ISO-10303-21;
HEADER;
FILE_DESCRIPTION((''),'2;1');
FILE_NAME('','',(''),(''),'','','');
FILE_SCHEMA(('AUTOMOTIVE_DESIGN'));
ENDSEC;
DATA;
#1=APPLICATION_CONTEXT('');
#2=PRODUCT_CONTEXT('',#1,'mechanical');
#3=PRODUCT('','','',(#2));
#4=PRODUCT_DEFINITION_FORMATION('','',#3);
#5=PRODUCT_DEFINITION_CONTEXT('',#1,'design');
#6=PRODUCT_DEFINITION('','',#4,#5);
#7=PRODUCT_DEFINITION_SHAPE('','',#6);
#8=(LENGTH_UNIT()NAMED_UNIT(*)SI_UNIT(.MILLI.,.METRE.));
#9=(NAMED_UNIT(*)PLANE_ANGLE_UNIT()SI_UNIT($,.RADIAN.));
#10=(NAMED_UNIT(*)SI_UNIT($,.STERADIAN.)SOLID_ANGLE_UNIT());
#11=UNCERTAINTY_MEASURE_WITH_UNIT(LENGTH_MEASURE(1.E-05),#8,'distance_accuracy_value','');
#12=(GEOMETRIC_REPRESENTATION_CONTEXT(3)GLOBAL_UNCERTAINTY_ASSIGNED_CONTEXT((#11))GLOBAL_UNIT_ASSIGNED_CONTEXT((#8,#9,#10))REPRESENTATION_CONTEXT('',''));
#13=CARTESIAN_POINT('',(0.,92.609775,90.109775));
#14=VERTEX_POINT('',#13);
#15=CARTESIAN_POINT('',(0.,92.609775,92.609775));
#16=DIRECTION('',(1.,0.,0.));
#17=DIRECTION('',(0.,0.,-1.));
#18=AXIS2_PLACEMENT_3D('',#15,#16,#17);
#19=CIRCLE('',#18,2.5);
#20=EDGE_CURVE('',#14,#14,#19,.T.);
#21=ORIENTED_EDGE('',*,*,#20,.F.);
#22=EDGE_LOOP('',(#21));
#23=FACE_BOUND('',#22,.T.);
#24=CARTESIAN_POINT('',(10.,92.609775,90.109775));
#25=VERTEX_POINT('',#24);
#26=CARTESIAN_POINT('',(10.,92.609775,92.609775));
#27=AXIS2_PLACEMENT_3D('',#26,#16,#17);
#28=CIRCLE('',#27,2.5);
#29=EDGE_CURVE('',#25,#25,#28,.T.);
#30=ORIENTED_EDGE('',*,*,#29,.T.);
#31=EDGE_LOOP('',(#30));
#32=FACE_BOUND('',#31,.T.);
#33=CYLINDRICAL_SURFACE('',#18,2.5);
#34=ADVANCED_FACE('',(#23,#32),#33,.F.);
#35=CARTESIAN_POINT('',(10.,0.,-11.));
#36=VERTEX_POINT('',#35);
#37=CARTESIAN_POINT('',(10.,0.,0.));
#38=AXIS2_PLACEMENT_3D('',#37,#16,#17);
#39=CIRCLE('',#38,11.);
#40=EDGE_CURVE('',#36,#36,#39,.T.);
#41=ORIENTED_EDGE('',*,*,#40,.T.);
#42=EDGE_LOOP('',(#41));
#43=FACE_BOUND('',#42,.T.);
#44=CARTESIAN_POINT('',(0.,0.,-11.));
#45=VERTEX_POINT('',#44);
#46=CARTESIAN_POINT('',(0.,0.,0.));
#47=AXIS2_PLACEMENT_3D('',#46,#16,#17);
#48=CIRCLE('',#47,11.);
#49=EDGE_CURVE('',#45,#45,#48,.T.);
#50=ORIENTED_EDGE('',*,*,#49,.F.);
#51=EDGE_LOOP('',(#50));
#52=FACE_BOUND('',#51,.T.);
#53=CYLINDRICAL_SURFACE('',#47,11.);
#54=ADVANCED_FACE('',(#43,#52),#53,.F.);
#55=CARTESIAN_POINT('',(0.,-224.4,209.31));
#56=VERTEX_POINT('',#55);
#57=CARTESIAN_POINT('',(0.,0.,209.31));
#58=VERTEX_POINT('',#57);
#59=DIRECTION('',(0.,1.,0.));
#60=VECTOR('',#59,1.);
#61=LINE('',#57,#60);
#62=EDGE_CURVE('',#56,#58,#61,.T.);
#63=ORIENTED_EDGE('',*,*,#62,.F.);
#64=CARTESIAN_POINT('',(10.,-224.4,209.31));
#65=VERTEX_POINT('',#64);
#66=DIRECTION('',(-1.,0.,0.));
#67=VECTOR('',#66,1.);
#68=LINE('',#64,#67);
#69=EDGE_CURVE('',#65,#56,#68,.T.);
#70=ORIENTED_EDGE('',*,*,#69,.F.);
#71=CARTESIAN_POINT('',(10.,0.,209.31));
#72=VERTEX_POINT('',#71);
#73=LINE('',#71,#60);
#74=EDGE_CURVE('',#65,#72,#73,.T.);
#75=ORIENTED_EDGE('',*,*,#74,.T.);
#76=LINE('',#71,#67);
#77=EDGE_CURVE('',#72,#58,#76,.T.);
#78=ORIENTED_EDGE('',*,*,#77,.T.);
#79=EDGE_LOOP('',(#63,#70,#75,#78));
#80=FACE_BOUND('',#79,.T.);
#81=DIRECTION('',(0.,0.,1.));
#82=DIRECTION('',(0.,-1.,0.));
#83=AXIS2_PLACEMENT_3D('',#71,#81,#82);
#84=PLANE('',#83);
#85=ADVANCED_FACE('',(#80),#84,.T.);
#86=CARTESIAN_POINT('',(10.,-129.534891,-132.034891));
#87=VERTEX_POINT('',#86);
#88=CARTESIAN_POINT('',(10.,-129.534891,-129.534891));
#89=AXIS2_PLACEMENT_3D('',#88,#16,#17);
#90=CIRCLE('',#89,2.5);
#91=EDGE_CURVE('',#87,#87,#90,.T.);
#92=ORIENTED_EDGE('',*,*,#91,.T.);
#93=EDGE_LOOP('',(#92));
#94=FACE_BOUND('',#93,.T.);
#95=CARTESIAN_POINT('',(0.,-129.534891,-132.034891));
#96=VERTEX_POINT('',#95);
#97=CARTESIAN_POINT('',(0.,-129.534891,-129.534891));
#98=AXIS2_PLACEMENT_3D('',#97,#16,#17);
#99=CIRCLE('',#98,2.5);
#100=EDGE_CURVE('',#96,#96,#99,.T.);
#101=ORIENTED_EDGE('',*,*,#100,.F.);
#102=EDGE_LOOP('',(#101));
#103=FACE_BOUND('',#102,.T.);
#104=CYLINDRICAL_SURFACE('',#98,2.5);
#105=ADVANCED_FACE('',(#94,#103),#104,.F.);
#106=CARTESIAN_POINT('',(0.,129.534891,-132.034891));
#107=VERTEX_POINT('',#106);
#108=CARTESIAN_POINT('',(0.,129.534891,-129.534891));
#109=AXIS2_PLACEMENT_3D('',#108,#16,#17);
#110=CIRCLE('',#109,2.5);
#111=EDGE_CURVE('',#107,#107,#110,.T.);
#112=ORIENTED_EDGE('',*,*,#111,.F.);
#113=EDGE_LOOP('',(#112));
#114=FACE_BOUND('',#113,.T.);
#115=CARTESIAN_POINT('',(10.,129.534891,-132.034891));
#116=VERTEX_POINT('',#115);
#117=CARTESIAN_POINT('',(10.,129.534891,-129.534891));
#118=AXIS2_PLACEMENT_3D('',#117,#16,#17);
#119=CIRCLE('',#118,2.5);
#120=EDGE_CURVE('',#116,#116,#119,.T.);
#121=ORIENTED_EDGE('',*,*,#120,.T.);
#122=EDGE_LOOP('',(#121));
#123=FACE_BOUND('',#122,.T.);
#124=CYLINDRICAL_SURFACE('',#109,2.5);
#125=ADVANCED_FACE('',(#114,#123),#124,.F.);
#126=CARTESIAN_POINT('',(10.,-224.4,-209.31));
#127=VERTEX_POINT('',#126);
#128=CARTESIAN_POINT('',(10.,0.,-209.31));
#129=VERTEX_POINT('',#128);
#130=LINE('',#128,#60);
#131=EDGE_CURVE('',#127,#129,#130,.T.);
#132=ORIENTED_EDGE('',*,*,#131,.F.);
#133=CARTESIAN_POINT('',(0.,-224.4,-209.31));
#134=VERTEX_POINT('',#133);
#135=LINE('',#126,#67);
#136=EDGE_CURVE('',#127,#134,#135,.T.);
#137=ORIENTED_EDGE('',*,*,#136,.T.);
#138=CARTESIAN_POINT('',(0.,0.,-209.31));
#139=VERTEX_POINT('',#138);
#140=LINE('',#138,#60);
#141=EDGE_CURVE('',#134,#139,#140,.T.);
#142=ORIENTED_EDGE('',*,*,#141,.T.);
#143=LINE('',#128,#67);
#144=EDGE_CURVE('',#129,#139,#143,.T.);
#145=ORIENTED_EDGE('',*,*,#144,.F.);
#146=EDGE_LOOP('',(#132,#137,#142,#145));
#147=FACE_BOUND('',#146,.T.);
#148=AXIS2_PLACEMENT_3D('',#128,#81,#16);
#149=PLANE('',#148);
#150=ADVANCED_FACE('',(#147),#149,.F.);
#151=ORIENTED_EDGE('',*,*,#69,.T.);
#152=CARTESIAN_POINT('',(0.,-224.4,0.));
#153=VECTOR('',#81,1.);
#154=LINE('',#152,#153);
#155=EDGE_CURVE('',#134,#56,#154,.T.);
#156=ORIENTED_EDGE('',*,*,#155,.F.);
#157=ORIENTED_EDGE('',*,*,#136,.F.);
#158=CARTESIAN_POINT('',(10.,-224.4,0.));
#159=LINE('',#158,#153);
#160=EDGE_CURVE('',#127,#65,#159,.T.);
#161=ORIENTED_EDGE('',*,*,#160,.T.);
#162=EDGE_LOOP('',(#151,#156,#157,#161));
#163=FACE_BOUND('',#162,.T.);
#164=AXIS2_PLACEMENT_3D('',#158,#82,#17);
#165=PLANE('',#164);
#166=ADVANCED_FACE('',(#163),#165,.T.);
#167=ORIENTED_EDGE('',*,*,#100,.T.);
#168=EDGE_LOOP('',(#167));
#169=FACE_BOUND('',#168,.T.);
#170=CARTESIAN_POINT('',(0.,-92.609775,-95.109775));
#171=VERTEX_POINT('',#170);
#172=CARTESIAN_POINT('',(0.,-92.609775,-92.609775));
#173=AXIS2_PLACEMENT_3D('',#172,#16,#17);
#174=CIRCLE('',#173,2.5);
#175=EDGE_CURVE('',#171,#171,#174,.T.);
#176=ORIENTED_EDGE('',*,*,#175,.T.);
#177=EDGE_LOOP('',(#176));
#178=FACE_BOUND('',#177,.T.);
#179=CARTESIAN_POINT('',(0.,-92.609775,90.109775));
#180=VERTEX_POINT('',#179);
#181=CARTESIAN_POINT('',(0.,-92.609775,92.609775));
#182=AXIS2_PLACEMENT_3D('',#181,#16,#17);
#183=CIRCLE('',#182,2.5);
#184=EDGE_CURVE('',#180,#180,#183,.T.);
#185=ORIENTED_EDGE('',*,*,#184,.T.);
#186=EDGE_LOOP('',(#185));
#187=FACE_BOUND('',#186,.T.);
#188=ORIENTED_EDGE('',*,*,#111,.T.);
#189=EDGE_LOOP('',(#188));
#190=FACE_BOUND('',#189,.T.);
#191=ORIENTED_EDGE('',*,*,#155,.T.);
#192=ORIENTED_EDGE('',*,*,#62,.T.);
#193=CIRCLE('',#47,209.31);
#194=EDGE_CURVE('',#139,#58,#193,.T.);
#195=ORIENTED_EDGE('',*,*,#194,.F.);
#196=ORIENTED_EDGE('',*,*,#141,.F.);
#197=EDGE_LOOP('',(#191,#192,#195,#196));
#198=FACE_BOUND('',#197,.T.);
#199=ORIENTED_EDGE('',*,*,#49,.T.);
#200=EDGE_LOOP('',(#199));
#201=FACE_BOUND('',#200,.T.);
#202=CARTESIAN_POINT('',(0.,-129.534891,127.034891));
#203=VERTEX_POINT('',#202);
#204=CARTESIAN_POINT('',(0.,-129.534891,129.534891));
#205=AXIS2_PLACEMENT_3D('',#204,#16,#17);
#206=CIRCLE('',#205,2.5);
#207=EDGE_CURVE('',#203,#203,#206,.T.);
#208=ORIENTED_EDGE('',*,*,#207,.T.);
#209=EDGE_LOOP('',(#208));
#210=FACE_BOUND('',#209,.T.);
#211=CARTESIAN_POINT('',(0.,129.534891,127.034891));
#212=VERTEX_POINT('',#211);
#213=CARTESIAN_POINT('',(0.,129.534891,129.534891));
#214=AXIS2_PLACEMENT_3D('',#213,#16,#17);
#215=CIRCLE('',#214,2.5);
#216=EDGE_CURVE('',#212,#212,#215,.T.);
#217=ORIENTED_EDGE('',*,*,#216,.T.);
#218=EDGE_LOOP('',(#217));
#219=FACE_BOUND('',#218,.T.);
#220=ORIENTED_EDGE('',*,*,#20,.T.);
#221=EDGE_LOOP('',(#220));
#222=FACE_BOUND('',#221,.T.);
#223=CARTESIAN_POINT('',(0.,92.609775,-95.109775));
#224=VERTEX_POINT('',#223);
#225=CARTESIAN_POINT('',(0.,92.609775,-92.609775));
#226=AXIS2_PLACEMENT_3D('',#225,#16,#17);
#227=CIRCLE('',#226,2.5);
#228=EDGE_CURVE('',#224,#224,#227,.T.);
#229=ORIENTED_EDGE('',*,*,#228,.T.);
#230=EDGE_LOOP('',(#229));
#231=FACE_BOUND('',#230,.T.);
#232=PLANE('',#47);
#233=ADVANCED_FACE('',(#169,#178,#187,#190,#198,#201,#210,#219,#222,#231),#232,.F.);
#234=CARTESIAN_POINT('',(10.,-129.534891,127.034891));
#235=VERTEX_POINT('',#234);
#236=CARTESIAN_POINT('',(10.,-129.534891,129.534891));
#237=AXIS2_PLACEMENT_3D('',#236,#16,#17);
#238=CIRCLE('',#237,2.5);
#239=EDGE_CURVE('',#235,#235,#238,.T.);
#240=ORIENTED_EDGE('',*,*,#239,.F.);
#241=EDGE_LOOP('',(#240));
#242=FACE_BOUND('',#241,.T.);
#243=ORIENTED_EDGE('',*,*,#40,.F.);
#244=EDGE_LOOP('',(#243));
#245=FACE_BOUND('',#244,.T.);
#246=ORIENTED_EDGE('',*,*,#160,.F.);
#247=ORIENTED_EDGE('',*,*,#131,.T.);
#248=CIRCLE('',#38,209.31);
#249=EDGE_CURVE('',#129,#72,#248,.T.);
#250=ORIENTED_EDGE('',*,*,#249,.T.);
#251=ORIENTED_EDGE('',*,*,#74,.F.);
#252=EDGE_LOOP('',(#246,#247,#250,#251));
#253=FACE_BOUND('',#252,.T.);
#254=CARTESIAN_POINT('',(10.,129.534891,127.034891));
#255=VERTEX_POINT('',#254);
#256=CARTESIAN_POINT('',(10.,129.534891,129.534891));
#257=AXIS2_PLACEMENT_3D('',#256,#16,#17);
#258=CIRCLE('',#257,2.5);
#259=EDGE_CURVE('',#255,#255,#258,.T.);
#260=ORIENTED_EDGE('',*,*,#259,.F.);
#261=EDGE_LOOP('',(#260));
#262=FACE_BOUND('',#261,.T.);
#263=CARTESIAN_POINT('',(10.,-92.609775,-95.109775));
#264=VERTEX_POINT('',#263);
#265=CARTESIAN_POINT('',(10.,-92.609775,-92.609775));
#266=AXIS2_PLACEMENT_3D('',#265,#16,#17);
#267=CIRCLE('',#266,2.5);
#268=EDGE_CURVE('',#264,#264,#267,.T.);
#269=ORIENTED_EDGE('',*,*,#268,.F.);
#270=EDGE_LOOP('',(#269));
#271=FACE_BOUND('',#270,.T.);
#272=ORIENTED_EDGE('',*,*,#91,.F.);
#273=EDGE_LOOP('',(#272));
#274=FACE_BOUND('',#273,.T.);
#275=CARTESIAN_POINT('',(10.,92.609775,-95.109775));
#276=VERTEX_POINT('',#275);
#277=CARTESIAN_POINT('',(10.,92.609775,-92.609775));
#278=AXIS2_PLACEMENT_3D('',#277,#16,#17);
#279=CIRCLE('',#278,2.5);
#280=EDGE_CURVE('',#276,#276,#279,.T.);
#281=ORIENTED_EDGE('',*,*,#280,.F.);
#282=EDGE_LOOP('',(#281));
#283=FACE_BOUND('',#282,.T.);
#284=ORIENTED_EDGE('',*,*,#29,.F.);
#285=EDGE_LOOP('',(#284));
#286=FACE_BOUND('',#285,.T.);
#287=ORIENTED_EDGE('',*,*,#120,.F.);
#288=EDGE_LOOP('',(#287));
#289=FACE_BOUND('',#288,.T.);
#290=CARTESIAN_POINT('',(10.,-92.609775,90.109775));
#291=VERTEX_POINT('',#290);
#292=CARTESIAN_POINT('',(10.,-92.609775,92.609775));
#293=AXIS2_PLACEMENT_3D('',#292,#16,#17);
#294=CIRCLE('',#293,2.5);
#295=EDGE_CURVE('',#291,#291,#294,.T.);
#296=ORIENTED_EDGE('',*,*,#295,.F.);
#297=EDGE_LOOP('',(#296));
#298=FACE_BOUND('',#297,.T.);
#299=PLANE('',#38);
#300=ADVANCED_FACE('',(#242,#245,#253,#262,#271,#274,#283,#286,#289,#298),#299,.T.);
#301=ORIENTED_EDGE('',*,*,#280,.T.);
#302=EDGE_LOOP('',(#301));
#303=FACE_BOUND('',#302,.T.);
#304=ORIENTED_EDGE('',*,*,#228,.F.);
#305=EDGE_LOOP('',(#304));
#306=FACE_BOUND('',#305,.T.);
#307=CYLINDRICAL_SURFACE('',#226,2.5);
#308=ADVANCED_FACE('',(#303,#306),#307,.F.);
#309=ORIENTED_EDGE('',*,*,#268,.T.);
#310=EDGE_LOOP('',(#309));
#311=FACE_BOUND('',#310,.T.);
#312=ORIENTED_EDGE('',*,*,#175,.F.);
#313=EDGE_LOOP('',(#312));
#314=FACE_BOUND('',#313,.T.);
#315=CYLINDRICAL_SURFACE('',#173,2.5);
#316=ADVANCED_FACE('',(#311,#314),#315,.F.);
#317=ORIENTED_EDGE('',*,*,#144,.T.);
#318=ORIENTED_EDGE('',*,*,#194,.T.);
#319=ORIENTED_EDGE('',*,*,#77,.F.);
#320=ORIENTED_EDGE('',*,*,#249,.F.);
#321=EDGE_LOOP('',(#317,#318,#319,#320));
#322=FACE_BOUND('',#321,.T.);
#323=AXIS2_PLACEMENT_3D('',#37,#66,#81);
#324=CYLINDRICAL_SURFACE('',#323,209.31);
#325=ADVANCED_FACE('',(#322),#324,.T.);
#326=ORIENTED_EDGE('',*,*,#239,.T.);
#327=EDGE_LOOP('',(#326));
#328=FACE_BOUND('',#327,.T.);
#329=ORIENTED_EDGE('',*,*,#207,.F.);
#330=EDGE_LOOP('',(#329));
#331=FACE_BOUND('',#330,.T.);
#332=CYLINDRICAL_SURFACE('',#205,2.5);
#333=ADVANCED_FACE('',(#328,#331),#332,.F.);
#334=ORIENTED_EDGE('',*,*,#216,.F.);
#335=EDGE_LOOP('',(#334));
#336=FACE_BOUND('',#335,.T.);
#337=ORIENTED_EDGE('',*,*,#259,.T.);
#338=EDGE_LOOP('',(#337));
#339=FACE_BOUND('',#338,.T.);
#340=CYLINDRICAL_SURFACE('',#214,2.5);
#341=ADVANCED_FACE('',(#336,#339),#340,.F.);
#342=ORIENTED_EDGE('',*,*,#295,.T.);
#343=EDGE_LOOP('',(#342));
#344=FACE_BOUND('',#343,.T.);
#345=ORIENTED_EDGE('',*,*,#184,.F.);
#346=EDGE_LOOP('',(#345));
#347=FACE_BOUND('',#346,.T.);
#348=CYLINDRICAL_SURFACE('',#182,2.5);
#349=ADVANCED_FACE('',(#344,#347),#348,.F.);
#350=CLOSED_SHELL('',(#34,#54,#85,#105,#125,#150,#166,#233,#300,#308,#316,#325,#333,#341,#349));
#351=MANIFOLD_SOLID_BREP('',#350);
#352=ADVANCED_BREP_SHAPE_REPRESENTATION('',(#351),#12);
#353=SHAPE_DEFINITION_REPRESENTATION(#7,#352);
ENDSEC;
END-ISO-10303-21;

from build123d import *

# Parameters (mm, degrees)
BOSS_EXTRUDE1_DEPTH = 10
SKETCH2_R           = 2.5
CUT_EXTRUDE1_DEPTH  = 10
SKETCH3_R           = 11
CUT_EXTRUDE2_DEPTH  = 10


with BuildPart() as part:
    # Sketch1 → Boss-Extrude1 (new body)
    with BuildSketch(Plane(origin=(0, 0, 0), x_dir=(0, 0, -1), z_dir=(1, 0, 0))):
        with BuildLine():
            ThreePointArc((-209.31, 0), (0, -209.31), (209.31, 0))
            Line((209.31, 0), (-209.31, 0))
        make_face()
        with BuildLine():
            Line((-209.31, 0), (209.31, 0))
            ThreePointArc((209.31, 0), (0, 209.31), (-209.31, 0))
        make_face()
        with BuildLine():
            Line((-209.31, -224.4), (209.31, -224.4))
            Line((209.31, -224.4), (209.31, 0))
            ThreePointArc((209.31, 0), (0, -209.31), (-209.31, 0))
            Line((-209.31, 0), (-209.31, -224.4))
        make_face()
    extrude(amount=BOSS_EXTRUDE1_DEPTH)

    # Sketch2 → Cut-Extrude1 (cut)
    with BuildSketch(Plane(origin=(10, 0, 0), x_dir=(0, 0, -1), z_dir=(1, 0, 0))):
        with Locations((129.534891246, 129.534891246)):
            Circle(SKETCH2_R)
        with Locations((92.609775132, 92.609775132)):
            Circle(SKETCH2_R)
        with Locations((92.609775132, -92.609775132)):
            Circle(SKETCH2_R)
        with Locations((129.534891246, -129.534891246)):
            Circle(SKETCH2_R)
        with Locations((-92.609775132, -92.609775132)):
            Circle(SKETCH2_R)
        with Locations((-129.534891246, -129.534891246)):
            Circle(SKETCH2_R)
        with Locations((-92.609775132, 92.609775132)):
            Circle(SKETCH2_R)
        with Locations((-129.534891246, 129.534891246)):
            Circle(SKETCH2_R)
    extrude(amount=-CUT_EXTRUDE1_DEPTH, mode=Mode.SUBTRACT)

    # Sketch3 → Cut-Extrude2 (cut)
    with BuildSketch(Plane(origin=(10, 0, 0), x_dir=(0, 0, -1), z_dir=(1, 0, 0))):
        Circle(SKETCH3_R)
    extrude(amount=-CUT_EXTRUDE2_DEPTH, mode=Mode.SUBTRACT)


solid = part.part
